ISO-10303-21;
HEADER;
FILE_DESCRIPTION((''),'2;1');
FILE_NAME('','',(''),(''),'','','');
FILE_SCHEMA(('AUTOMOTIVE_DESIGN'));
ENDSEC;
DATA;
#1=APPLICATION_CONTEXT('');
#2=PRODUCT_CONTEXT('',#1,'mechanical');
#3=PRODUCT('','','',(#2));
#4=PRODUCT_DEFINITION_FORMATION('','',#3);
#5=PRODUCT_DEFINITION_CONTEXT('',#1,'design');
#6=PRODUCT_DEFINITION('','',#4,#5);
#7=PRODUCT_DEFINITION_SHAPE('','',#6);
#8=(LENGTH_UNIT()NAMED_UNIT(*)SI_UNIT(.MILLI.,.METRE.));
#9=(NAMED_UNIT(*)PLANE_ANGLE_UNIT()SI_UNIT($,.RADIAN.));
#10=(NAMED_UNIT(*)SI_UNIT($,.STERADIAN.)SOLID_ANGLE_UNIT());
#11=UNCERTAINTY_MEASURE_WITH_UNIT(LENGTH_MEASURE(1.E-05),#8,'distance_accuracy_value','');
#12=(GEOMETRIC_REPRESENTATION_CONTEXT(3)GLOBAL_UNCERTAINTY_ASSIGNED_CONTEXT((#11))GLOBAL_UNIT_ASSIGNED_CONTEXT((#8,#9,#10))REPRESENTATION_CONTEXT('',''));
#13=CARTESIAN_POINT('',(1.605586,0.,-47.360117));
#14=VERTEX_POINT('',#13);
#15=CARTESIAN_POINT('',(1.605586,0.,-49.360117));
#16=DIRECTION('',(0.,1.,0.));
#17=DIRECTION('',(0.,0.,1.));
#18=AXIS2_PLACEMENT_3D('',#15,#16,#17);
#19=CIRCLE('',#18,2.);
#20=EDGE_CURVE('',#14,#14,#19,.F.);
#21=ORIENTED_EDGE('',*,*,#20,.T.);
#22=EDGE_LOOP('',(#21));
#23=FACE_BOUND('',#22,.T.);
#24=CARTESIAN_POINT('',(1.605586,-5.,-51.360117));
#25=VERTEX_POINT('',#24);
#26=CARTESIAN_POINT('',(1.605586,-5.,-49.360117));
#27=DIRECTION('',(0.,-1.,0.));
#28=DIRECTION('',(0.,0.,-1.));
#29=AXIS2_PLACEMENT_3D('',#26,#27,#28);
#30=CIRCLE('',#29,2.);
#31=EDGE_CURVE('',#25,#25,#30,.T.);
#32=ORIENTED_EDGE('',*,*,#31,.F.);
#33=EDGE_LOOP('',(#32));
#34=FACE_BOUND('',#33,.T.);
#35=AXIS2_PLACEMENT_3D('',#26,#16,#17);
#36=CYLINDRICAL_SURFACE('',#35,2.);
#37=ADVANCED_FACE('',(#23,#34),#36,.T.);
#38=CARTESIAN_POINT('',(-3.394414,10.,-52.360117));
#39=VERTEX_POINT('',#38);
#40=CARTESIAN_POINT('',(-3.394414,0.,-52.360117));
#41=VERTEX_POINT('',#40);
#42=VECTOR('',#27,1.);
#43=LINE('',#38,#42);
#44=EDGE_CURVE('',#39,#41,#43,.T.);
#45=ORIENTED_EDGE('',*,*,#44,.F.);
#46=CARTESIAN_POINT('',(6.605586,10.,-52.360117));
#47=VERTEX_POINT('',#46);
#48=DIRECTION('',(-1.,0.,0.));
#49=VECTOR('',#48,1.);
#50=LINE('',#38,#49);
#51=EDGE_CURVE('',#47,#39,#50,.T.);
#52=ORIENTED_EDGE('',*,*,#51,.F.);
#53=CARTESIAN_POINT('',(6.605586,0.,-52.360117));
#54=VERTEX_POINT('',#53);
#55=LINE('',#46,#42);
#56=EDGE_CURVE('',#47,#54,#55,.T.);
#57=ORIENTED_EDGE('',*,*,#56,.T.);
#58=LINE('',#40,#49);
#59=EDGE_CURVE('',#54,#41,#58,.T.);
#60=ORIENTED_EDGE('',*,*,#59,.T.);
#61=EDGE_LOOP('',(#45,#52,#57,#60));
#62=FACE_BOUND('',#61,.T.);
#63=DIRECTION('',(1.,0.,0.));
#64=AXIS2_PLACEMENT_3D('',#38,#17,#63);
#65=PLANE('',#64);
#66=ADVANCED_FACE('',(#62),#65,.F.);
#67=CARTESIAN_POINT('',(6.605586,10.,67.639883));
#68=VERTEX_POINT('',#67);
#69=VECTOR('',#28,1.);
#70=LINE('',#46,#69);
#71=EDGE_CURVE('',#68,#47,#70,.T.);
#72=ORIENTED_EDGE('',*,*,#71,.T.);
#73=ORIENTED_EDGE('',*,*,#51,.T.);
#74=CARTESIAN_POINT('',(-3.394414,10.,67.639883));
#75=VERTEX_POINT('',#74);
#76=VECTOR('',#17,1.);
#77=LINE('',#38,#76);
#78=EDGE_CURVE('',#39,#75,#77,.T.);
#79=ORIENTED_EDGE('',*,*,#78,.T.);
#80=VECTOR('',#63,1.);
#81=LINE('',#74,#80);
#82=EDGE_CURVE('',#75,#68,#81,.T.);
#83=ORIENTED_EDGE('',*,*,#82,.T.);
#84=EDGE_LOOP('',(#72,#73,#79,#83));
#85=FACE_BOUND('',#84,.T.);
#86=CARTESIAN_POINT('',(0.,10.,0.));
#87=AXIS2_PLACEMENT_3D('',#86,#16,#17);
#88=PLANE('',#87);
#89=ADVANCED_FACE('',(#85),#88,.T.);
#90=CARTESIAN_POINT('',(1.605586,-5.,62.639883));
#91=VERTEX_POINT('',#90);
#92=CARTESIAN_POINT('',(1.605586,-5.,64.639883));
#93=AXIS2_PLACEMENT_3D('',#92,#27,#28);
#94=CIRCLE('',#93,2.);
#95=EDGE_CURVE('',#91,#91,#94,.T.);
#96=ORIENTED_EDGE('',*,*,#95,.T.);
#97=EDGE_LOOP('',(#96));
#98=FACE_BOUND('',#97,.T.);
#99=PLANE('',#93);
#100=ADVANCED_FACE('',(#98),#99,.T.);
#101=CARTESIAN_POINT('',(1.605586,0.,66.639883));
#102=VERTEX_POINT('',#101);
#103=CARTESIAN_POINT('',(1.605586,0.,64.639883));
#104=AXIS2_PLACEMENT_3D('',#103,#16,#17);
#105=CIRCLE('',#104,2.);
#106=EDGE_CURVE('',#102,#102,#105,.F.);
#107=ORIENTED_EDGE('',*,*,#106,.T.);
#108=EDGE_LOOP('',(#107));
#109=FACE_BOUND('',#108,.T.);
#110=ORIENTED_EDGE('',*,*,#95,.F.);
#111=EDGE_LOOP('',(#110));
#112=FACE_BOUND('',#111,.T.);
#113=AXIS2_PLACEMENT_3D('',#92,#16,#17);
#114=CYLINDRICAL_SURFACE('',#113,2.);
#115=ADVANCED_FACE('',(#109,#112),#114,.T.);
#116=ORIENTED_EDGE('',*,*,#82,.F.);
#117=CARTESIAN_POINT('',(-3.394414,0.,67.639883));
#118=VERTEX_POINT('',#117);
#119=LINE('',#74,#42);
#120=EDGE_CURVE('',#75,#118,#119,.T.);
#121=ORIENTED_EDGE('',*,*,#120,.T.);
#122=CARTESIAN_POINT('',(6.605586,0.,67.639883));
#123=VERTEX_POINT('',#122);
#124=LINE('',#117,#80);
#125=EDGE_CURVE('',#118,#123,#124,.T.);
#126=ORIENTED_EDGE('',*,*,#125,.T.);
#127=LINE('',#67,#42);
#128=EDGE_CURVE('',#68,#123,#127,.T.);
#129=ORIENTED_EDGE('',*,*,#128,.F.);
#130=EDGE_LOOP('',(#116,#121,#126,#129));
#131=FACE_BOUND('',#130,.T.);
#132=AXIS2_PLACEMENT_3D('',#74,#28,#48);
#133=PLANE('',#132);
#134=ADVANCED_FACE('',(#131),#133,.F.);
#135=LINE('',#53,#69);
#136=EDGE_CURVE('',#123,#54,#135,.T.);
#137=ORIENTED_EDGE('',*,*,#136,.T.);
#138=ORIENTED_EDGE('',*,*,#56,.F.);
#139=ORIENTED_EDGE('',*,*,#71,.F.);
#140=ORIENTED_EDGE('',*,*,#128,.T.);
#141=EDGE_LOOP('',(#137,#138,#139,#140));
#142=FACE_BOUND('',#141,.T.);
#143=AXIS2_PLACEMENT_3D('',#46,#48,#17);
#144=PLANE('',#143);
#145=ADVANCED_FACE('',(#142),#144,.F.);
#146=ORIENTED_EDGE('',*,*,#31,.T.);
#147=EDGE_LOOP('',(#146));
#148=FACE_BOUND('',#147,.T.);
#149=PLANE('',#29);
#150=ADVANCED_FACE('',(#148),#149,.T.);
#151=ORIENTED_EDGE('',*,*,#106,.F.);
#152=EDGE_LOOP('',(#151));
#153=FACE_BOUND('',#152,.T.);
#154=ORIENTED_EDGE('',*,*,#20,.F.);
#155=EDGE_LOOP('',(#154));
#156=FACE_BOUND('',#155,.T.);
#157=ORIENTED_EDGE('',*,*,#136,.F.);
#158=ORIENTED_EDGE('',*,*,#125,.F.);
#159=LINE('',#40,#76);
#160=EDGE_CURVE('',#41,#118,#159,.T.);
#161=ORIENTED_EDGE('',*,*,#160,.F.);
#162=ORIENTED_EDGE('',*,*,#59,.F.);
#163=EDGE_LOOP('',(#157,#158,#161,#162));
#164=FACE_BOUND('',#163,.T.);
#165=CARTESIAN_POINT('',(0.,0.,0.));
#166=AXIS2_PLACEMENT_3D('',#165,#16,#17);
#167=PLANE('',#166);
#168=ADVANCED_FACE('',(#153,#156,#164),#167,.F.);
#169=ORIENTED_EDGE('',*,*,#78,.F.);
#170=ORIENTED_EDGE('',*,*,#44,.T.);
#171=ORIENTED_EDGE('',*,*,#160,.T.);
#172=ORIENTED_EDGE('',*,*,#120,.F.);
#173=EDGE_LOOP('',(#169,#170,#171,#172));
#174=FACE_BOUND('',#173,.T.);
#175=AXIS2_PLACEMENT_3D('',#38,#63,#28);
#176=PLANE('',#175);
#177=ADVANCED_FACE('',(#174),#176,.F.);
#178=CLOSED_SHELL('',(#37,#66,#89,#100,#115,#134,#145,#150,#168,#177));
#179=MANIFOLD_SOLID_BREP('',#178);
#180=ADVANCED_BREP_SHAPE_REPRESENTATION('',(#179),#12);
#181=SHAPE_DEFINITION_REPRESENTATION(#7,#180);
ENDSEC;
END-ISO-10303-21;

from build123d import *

# Parameters (mm, degrees)
SKETCH1_W           = 10
SKETCH1_H           = 120
BOSS_EXTRUDE1_DEPTH = 10
SKETCH2_R           = 2
BOSS_EXTRUDE2_DEPTH = 5


with BuildPart() as part:
    # Sketch1 → Boss-Extrude1 (new body)
    with BuildSketch(Plane(origin=(0, 0, 0), x_dir=(1, 0, 0), z_dir=(0, 1, 0))):
        with Locations((1.605585851, -7.639883399)):
            Rectangle(SKETCH1_W, SKETCH1_H)
    extrude(amount=BOSS_EXTRUDE1_DEPTH)

    # Sketch2 → Boss-Extrude2 (add)
    with BuildSketch(Plane(origin=(0, 0, 0), x_dir=(-1, 0, 0), z_dir=(0, -1, 0))):
        with Locations(Location((-1.605585851, 49.360116601, 0), (0, 0, 270))):
            Circle(SKETCH2_R)
        with Locations(Location((-1.605585851, -64.639883399, 0), (0, 0, 270))):
            Circle(SKETCH2_R)
    extrude(amount=BOSS_EXTRUDE2_DEPTH)


solid = part.part
